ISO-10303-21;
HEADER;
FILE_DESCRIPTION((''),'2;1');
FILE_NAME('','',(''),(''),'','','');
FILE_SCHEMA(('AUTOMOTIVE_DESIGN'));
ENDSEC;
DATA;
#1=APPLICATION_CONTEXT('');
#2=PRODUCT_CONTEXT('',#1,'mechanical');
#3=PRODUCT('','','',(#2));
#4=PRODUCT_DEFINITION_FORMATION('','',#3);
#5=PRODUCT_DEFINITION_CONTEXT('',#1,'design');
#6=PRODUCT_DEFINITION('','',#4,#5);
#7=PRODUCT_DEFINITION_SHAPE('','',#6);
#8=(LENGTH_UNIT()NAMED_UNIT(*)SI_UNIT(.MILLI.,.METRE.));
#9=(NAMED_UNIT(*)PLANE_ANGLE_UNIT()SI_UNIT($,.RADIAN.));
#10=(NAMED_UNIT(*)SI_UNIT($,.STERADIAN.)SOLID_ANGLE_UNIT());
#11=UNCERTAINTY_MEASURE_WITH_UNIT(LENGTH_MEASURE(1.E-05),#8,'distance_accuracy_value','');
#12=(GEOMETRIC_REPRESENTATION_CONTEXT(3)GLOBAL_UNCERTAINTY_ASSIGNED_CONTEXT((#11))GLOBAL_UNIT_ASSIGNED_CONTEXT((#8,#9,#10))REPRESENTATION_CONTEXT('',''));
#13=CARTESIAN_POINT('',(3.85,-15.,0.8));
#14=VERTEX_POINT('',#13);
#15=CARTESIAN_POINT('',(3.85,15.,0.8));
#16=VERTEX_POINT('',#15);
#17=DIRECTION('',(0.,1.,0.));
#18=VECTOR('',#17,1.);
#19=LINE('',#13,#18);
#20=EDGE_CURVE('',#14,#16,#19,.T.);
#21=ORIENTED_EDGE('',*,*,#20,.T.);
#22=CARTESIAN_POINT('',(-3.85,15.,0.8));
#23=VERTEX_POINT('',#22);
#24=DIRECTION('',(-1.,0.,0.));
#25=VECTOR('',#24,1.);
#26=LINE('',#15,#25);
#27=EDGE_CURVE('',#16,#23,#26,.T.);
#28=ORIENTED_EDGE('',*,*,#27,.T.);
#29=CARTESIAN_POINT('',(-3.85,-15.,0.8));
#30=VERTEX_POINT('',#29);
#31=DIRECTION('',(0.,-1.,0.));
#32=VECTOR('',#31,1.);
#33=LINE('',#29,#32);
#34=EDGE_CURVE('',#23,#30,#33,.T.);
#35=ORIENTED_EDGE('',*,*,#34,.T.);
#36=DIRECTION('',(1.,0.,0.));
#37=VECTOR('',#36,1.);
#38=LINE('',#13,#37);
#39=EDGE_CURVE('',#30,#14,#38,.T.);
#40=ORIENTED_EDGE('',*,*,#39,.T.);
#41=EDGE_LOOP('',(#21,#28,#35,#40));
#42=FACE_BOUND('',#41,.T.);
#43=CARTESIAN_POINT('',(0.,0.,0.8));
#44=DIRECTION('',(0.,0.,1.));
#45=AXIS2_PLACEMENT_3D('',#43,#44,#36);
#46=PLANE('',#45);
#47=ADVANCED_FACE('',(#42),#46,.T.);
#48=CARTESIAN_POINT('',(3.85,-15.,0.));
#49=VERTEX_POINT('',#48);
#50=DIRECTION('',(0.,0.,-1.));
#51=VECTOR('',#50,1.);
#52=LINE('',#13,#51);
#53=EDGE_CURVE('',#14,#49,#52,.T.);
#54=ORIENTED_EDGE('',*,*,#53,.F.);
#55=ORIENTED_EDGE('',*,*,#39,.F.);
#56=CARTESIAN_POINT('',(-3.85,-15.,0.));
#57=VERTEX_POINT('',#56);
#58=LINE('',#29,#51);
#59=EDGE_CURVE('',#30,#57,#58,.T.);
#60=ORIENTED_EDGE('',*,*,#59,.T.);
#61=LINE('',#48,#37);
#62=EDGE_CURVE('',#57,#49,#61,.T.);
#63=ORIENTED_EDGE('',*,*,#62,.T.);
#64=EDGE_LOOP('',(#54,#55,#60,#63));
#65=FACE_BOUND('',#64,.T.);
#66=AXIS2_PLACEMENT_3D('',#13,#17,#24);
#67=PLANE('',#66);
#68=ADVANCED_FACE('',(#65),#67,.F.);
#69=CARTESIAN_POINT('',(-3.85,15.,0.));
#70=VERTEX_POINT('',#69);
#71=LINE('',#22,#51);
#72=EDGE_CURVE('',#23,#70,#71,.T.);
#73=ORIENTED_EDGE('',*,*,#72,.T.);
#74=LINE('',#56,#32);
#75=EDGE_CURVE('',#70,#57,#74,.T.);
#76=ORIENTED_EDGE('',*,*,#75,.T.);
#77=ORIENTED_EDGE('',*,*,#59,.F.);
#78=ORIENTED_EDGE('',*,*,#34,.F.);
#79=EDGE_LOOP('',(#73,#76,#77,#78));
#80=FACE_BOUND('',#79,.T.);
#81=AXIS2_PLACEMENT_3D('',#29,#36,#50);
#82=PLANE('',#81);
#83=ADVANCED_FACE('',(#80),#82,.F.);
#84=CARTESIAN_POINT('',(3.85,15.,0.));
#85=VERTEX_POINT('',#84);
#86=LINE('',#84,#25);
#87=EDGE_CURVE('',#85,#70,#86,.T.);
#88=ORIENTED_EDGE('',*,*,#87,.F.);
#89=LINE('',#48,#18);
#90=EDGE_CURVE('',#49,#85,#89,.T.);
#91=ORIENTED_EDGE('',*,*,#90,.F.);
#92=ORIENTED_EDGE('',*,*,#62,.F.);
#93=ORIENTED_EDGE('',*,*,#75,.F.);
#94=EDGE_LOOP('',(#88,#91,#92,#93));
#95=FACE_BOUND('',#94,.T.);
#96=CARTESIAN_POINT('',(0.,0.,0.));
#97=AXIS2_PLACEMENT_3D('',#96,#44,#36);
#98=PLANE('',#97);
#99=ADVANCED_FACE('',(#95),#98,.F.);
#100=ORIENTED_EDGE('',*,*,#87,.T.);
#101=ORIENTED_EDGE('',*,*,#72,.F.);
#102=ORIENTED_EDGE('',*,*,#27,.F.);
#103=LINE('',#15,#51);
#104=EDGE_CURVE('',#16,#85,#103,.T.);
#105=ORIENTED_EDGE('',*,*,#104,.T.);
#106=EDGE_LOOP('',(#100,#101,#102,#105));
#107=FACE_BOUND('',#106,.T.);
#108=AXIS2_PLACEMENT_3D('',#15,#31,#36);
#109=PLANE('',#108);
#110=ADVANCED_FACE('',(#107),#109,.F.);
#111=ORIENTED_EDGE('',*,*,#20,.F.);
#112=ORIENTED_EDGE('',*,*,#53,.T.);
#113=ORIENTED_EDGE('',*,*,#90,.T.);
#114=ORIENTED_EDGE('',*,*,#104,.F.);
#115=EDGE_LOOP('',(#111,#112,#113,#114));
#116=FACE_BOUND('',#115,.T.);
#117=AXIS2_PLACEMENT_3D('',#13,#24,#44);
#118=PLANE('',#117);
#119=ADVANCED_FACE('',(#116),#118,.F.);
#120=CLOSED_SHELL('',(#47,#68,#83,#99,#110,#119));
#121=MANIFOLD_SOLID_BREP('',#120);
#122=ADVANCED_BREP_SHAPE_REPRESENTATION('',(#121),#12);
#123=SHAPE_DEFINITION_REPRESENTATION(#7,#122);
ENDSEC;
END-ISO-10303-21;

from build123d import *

# Parameters (mm, degrees)
SCHIZZO1_W                   = 7.7
SCHIZZO1_H                   = 30
ESTRUSIONE_ESTRUSIONE1_DEPTH = 0.8


with BuildPart() as part:
    # Schizzo1 → Estrusione-Estrusione1 (new body)
    with BuildSketch(Plane.XY):
        Rectangle(SCHIZZO1_W, SCHIZZO1_H)
    extrude(amount=ESTRUSIONE_ESTRUSIONE1_DEPTH)


solid = part.part
